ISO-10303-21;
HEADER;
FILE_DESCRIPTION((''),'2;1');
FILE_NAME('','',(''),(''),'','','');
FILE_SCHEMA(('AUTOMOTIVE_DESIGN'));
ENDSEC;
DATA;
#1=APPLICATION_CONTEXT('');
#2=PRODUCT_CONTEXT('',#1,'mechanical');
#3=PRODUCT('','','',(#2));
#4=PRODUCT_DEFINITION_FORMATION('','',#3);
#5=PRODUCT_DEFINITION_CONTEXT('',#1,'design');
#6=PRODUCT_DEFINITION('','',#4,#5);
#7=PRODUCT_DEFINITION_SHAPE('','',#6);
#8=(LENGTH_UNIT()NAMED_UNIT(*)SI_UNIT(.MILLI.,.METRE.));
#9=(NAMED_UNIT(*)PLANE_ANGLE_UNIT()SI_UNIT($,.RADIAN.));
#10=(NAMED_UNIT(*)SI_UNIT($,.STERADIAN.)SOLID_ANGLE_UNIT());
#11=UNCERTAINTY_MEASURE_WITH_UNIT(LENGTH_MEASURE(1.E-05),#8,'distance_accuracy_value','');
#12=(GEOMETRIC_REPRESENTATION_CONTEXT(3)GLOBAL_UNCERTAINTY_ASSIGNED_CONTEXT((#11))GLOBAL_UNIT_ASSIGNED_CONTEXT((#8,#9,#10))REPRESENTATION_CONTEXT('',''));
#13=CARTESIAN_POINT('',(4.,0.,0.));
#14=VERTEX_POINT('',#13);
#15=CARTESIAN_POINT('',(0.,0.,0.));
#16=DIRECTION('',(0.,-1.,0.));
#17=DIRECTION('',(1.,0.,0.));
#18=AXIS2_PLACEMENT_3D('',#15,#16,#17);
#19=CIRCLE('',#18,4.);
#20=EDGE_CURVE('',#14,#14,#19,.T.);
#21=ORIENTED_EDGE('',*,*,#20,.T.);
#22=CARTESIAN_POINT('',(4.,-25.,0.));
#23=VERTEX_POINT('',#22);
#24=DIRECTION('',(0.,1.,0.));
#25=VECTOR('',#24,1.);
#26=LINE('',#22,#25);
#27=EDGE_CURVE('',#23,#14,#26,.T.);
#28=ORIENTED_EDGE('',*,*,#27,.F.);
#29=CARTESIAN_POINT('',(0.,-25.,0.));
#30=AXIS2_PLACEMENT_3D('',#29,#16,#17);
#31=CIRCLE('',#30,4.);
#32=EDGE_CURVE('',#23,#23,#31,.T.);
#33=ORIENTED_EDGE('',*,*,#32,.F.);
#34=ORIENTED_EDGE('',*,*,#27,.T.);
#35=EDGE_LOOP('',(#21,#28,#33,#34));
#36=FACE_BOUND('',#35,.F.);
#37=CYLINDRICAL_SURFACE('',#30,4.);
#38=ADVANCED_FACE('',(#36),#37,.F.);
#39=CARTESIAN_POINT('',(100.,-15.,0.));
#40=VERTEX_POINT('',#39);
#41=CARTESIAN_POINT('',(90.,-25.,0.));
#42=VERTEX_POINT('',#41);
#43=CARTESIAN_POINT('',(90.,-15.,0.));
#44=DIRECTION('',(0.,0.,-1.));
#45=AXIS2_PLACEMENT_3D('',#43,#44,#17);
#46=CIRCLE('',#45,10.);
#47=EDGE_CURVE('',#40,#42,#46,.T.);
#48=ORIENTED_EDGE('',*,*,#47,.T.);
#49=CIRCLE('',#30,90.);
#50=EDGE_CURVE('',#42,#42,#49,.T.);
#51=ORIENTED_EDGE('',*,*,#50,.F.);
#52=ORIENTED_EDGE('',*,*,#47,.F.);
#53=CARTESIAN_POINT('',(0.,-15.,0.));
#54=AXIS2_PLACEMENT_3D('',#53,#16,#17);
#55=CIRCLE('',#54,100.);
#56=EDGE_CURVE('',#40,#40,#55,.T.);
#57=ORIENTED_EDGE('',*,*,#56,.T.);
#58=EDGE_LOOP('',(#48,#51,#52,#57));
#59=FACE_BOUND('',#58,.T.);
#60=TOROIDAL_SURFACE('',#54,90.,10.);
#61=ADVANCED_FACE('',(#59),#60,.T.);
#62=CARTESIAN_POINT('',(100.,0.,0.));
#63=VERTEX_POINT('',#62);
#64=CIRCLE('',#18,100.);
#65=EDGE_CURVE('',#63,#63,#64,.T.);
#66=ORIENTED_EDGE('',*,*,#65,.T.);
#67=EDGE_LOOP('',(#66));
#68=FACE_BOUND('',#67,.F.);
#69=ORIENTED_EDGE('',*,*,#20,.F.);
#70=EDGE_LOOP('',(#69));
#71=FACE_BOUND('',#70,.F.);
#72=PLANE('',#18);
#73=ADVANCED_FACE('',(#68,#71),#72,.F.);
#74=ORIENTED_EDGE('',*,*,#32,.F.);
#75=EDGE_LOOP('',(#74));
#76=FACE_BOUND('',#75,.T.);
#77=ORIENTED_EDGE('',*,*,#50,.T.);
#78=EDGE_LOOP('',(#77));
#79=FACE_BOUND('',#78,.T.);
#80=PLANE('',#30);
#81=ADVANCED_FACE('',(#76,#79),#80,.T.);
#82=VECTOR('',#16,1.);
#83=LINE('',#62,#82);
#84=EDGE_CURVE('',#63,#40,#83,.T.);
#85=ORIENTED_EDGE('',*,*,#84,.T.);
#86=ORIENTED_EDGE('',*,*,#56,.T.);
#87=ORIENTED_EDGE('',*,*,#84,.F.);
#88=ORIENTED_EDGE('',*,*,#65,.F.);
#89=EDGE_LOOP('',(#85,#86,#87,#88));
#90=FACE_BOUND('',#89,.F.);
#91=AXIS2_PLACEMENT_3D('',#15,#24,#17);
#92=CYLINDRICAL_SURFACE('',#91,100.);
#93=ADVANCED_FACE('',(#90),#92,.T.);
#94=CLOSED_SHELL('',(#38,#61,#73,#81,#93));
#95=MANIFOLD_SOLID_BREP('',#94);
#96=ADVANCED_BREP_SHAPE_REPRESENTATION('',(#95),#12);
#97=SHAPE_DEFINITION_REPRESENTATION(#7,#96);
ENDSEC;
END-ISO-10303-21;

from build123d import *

# Parameters (mm, degrees)
F0_R     = 100
F1_DEPTH = 25
F2_R     = 10
F3_R     = 4
F4_DEPTH = 25


with BuildPart() as f1:
    # F0 (on Front) → F1 (new body)
    with BuildSketch(Plane.XZ):
        Circle(F0_R)
    extrude(amount=F1_DEPTH)

    # F2
    f2_edges = [f1.edges().sort_by_distance(p)[0] for p in [
        (-100, -25, 0),
    ]]
    fillet(f2_edges, radius=F2_R)

    # F3 (on face) → F4 (cut)
    with BuildSketch(Plane.XZ.offset(25)):
        Circle(F3_R)
    extrude(amount=-F4_DEPTH, mode=Mode.SUBTRACT)


solid = f1.part
